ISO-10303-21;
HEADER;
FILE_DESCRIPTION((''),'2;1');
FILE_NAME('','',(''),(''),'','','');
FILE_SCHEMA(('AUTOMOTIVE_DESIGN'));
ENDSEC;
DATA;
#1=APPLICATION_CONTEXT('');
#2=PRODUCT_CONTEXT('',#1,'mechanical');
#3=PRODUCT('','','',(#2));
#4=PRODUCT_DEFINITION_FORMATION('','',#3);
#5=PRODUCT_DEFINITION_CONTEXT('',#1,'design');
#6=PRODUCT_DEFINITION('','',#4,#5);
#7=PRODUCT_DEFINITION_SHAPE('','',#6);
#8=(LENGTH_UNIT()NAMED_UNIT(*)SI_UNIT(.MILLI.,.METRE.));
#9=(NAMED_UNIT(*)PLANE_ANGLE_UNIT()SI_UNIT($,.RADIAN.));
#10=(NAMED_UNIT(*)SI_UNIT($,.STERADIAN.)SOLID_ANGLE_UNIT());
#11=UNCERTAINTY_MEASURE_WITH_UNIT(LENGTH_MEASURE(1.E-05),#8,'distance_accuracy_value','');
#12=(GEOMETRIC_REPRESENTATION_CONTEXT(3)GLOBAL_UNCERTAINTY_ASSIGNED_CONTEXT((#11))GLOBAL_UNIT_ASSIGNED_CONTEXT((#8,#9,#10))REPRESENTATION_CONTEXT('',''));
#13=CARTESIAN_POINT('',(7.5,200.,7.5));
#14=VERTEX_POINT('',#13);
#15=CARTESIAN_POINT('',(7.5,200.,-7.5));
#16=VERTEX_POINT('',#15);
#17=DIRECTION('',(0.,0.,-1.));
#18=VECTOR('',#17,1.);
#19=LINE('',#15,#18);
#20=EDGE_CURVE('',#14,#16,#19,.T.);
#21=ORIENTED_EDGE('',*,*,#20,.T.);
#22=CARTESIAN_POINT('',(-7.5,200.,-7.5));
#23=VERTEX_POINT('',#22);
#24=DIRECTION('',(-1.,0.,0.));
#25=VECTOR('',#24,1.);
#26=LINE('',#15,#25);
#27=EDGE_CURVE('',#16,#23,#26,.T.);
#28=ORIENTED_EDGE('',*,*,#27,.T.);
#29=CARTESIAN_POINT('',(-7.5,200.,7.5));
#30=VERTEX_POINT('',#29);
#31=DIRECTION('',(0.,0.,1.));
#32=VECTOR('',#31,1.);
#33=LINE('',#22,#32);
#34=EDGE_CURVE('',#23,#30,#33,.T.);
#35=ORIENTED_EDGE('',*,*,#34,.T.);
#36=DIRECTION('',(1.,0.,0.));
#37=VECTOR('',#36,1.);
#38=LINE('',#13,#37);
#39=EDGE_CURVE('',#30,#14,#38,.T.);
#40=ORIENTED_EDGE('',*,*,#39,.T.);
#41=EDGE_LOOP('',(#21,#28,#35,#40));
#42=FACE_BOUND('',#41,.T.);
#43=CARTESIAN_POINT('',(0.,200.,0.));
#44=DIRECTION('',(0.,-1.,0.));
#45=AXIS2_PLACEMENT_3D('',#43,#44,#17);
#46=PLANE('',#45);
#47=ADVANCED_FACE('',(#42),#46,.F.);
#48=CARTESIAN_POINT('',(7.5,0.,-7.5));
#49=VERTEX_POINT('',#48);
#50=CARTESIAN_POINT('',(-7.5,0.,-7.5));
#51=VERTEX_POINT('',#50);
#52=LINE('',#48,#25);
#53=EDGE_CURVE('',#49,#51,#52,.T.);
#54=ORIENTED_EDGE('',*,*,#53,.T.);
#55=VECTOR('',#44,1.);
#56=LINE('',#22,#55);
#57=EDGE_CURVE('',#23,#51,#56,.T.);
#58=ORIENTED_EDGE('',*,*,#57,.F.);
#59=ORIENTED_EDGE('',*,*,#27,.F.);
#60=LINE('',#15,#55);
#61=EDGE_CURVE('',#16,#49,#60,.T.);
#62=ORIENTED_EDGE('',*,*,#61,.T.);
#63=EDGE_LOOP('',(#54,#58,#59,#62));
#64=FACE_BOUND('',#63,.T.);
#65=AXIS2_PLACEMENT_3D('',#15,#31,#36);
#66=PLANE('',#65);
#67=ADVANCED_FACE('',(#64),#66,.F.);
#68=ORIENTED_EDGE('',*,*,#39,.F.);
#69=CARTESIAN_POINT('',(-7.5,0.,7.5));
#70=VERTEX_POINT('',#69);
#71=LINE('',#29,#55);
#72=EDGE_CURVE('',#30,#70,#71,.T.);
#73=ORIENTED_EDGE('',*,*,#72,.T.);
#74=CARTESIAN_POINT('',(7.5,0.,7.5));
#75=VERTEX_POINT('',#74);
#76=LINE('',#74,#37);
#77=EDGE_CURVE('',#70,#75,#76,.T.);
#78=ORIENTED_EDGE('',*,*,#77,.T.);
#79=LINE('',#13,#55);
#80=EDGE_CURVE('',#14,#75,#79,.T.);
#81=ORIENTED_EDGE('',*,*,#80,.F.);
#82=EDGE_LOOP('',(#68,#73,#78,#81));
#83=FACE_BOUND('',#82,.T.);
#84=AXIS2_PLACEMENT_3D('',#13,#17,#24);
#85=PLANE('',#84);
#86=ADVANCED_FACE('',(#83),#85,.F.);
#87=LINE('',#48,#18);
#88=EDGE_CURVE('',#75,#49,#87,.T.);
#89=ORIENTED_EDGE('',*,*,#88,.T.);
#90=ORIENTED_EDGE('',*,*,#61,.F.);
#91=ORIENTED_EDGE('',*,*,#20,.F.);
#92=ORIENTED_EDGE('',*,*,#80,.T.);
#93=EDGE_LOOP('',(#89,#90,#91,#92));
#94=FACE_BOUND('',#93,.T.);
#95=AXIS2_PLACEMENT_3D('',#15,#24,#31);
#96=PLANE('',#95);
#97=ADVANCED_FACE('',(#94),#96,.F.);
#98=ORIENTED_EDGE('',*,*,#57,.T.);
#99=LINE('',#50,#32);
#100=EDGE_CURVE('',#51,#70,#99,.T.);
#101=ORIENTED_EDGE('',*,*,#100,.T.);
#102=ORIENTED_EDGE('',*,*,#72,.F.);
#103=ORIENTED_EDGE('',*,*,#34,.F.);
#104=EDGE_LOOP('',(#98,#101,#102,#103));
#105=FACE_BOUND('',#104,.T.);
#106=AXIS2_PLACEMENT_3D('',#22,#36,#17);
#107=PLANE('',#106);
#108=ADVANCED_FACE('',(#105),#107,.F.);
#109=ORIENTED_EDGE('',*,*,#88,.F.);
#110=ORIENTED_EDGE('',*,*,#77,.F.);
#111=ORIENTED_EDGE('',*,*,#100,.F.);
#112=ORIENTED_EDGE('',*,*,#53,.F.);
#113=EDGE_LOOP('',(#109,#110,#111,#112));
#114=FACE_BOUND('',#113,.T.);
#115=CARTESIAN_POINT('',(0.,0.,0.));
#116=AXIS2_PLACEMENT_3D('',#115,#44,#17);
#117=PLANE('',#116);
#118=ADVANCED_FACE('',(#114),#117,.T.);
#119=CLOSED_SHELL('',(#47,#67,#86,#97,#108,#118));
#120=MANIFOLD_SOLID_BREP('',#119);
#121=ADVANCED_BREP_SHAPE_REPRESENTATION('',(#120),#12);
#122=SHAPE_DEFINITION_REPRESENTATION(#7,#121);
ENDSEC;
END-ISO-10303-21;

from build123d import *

# Parameters (mm, degrees)
SKETCH1_W           = 15
SKETCH1_H           = 15
BOSS_EXTRUDE1_DEPTH = 200


with BuildPart() as part:
    # Sketch1 → Boss-Extrude1 (new body)
    with BuildSketch(Plane(origin=(0, 0, 0), x_dir=(1, 0, 0), z_dir=(0, 1, 0))):
        Rectangle(SKETCH1_W, SKETCH1_H)
    extrude(amount=BOSS_EXTRUDE1_DEPTH)


solid = part.part
